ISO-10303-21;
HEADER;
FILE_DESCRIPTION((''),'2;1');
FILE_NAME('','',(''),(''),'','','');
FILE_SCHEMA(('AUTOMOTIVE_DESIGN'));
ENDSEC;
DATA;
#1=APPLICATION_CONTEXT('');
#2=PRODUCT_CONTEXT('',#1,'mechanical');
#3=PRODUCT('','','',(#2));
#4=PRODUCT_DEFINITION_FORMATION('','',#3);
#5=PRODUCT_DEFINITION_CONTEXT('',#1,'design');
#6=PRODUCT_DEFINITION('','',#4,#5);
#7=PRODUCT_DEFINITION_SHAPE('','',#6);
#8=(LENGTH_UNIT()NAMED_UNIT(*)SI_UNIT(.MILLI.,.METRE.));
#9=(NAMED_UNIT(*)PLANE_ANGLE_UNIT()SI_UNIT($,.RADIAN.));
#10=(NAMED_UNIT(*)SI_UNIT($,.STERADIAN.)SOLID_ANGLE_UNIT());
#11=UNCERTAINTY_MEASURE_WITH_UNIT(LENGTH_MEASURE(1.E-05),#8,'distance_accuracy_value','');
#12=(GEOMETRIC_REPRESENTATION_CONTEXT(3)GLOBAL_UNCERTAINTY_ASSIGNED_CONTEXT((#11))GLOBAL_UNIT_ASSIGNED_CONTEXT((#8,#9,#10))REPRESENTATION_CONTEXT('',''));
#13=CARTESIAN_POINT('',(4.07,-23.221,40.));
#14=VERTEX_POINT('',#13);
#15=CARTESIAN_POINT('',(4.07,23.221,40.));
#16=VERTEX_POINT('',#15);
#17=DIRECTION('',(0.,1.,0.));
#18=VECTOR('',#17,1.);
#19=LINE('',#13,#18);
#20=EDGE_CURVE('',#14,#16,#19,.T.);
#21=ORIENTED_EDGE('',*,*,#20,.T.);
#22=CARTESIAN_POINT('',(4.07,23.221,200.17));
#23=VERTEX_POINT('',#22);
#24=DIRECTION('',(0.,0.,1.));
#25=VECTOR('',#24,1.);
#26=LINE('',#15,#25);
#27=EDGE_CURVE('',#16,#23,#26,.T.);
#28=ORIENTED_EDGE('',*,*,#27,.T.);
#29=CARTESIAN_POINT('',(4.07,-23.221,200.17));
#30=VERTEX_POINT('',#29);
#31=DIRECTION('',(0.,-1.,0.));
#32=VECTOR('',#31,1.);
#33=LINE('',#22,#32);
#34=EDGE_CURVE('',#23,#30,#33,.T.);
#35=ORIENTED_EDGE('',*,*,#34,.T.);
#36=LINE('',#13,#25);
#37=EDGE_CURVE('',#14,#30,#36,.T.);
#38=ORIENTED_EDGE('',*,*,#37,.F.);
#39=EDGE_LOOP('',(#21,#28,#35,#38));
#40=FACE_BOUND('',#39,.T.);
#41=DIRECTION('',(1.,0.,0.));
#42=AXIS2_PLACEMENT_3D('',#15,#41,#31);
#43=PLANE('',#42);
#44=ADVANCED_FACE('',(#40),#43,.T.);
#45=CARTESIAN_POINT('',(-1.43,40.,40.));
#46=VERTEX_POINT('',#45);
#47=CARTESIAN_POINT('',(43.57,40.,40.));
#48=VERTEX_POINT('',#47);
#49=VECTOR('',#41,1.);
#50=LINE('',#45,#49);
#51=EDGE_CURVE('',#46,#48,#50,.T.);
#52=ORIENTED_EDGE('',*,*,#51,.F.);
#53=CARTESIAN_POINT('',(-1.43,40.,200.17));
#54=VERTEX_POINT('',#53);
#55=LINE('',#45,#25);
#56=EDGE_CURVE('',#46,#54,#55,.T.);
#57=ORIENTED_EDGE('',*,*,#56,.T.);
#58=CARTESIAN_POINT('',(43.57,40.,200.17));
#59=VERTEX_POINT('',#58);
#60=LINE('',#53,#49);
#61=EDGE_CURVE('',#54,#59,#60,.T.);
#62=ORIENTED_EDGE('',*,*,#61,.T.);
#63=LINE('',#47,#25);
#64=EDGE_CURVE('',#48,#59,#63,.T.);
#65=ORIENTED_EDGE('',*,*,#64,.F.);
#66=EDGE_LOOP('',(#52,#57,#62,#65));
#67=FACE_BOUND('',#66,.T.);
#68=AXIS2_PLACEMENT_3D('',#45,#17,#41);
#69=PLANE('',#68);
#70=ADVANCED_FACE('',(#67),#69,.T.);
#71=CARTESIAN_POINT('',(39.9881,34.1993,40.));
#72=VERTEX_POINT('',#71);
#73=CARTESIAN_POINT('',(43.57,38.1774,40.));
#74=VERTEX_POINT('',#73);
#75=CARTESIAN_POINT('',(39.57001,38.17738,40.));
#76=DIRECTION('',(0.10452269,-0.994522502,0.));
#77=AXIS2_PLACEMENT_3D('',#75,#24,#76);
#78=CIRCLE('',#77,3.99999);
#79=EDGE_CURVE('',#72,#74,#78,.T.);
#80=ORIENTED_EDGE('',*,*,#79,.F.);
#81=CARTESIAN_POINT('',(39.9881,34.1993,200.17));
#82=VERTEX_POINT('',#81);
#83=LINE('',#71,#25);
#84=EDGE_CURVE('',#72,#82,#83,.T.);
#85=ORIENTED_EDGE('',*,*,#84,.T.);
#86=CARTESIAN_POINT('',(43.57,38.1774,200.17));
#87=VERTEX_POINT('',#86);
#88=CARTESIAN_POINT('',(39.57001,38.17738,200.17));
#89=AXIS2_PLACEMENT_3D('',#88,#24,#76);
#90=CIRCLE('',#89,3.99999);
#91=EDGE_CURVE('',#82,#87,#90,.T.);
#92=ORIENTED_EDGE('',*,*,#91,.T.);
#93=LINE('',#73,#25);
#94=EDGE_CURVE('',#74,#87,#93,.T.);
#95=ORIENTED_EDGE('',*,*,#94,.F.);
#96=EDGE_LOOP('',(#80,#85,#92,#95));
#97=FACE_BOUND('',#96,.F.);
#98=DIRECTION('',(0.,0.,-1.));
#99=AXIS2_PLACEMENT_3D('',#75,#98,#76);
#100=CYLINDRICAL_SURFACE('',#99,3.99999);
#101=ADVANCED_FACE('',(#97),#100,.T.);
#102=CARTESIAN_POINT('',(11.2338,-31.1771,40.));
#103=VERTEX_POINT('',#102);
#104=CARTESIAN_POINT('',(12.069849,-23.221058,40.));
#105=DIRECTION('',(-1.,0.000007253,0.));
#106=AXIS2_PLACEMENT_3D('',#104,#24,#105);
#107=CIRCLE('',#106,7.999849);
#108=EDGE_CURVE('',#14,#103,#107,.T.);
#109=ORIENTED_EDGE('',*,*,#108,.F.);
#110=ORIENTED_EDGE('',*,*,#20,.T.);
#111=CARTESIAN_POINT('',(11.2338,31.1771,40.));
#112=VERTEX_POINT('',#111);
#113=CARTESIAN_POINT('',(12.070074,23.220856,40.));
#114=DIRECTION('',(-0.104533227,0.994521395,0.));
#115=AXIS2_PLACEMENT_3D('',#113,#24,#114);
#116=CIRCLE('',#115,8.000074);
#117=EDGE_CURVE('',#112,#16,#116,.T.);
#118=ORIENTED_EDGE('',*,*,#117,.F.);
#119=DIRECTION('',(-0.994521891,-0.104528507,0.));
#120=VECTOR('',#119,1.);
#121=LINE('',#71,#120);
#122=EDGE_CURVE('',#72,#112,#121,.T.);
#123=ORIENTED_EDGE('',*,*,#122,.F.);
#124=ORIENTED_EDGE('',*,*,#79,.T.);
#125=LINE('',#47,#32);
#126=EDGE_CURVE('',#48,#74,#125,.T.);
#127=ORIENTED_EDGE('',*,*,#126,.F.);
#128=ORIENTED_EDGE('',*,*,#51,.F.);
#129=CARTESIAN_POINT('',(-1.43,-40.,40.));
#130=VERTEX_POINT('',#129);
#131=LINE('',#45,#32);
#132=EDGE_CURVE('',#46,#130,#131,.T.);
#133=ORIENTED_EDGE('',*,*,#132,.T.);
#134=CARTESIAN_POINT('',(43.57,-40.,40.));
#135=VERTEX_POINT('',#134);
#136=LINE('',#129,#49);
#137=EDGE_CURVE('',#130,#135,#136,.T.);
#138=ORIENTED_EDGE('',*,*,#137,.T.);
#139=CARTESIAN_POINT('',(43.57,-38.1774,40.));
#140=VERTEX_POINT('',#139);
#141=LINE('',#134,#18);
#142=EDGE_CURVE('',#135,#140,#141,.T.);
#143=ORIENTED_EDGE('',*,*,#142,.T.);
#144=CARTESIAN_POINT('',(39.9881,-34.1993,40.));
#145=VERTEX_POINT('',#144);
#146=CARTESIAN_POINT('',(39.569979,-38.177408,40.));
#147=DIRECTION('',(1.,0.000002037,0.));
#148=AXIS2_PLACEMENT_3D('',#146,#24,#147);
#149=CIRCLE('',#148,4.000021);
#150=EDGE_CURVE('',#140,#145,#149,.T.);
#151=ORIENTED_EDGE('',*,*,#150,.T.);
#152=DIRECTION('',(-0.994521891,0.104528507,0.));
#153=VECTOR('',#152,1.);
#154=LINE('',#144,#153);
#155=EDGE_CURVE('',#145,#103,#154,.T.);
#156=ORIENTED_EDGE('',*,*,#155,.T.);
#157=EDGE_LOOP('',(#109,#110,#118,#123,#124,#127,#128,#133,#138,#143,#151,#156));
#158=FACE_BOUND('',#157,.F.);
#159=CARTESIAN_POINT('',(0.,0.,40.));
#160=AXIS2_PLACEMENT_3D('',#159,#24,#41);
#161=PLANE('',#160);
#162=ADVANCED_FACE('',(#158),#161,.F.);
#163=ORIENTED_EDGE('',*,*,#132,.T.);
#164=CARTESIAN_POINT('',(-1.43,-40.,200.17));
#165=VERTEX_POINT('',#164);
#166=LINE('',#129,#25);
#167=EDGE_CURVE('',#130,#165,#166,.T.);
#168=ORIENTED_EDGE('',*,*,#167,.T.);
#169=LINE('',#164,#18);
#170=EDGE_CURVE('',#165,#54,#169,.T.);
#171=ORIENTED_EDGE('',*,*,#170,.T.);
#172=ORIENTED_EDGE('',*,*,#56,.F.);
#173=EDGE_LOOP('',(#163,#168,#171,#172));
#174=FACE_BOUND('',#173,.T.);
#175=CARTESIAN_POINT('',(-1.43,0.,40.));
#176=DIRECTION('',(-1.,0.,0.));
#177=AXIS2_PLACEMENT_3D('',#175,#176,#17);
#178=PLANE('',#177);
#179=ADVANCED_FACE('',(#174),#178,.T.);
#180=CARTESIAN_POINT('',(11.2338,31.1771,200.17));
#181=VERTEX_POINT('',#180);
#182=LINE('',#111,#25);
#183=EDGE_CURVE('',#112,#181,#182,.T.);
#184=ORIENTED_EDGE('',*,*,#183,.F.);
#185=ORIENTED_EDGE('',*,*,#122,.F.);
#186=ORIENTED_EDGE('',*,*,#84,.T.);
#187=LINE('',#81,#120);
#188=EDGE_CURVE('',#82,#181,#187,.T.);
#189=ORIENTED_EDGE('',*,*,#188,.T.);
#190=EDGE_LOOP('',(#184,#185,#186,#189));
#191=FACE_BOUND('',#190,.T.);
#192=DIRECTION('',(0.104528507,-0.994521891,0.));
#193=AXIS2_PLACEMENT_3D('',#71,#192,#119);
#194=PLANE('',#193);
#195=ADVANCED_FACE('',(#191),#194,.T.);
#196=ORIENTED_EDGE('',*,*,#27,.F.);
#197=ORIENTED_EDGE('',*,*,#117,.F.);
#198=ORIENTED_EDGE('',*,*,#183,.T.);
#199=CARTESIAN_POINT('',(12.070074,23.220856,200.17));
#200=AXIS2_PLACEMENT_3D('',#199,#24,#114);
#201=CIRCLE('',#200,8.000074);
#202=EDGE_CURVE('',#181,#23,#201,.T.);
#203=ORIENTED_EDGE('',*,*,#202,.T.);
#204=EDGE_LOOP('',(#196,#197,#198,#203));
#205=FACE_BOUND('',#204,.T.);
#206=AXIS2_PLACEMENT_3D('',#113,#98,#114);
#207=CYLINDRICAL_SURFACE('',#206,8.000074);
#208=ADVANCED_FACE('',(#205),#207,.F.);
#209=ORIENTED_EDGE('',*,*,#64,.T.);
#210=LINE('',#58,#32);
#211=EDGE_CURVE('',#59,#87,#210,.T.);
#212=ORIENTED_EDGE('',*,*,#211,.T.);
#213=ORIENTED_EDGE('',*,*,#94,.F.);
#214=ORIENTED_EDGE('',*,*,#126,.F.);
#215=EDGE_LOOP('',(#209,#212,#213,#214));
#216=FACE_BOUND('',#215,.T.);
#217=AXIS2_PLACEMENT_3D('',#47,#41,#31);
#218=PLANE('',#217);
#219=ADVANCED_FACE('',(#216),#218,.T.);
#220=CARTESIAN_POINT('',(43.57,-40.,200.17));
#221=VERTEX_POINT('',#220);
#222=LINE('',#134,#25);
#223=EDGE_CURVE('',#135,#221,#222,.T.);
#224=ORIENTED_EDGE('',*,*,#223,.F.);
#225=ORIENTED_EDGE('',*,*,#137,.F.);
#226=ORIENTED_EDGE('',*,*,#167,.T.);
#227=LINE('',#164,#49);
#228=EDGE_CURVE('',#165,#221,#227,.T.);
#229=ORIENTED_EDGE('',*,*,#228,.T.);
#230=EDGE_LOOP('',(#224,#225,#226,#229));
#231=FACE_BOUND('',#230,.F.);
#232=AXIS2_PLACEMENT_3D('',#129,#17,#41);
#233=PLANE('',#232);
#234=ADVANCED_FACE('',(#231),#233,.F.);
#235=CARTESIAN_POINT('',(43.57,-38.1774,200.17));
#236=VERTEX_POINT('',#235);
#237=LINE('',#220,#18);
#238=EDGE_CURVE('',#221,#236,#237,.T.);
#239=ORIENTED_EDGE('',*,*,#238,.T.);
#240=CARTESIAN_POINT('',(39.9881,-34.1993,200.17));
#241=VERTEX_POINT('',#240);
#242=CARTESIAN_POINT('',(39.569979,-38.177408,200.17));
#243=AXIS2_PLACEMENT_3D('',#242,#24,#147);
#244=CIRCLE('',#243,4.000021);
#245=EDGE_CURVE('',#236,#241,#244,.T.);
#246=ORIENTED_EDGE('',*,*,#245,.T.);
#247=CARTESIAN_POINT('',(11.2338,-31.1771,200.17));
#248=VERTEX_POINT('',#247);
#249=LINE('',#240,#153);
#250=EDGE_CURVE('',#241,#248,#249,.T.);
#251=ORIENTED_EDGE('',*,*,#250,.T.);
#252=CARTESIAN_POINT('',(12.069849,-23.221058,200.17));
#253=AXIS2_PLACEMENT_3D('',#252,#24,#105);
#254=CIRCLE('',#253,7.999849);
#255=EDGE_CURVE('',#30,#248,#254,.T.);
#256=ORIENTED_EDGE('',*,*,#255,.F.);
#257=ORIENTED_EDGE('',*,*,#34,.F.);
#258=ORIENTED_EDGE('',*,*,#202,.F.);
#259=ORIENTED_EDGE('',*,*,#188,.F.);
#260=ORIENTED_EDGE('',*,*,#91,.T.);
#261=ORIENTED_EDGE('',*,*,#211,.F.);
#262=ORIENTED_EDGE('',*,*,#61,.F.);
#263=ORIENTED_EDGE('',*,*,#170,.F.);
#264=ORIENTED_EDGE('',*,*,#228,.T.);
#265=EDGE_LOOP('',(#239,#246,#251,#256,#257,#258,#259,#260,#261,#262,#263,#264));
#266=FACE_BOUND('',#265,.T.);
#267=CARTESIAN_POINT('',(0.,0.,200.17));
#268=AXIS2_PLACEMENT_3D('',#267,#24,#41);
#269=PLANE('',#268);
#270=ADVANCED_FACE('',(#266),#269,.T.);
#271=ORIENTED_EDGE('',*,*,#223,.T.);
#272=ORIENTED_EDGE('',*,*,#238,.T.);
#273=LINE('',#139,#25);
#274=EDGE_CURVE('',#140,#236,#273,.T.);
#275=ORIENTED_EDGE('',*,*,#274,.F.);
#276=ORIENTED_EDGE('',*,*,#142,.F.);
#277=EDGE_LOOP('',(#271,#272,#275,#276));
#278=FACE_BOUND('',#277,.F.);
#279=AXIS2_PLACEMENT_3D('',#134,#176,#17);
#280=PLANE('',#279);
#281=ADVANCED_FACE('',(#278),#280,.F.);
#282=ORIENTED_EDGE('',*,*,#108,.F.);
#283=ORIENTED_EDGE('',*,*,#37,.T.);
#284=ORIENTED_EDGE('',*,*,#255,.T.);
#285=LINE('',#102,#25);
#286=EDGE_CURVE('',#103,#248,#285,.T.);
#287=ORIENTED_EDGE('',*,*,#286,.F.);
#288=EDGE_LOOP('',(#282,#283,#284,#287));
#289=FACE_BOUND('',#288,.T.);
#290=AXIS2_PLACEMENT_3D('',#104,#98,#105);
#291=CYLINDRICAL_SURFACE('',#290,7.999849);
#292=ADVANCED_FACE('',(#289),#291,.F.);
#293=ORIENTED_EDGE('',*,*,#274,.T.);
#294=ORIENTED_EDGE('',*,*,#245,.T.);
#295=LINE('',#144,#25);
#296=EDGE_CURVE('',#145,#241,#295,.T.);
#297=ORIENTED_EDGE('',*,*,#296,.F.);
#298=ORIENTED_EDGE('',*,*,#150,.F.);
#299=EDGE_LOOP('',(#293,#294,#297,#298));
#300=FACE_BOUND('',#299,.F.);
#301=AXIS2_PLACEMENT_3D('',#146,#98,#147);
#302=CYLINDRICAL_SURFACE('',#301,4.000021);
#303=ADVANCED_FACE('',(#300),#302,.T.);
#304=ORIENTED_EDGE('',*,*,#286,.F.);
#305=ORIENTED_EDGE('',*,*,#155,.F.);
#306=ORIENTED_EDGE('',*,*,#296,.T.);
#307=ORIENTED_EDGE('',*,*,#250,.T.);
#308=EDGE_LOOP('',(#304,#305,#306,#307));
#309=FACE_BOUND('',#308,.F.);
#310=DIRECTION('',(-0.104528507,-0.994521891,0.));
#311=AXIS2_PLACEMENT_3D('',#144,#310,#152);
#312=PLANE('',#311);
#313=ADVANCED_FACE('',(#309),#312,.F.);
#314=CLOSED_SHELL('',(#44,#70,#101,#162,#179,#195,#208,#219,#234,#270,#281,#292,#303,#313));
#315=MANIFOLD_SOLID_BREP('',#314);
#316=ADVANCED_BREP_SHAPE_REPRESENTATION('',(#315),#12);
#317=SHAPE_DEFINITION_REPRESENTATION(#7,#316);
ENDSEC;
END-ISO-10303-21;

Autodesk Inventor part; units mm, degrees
ref_plane "Начальная плоскость" through (0, 0, 40) normal (0, 0, 1) x (1, 0, 0)
ref_plane "Конечная плоскость" through (0, 0, 200.17) normal (0, 0, 1) x (1, 0, 0)
sketch "Эскиз" plane through (0, 0, 0) normal (0, 0, 1) x (1, 0, 0)
  line L0 (-1.43, 0) -> (-1.43, 40)
  line L1 (-1.43, 40) -> (43.57, 40)
  line L2 (43.57, 40) -> (43.57, 38.1774)
  line L3 (39.9881, 34.1993) -> (11.2338, 31.1771)
  line L4 (4.07, 23.221) -> (4.07, 0)
  line L5 (4.07, 0) -> (-1.43, 0) construction
  line L6 (23.82, 40) -> (23.82, 32.5) construction
  line L7 (43.57, 34.5758) -> (43.57, 32.5) construction
  line L8 (43.57, 32.5) -> (23.82, 32.5) construction
  line L9 (0, 15) -> (0, -27) construction
  line L10 (-5.539, 0) -> (16.0067, 0) construction
  line L11 (-1.43, 0) -> (-1.43, -40)
  line L12 (-1.43, -40) -> (43.57, -40)
  line L13 (43.57, -40) -> (43.57, -38.1774)
  line L14 (39.9881, -34.1993) -> (11.2338, -31.1771)
  line L15 (4.07, -23.221) -> (4.07, 0)
  arc A0 (11.2338, 31.1771) -> (4.07, 23.221) centre (12.07, 23.221) ccw
  arc A1 (4.07, -23.221) -> (11.2338, -31.1771) centre (12.07, -23.221) ccw
  arc A2 (39.9881, 34.1993) -> (43.57, 38.1774) centre (39.57, 38.1774) ccw
  arc A3 (43.57, -38.1774) -> (39.9881, -34.1993) centre (39.57, -38.1774) ccw
  line L16 (0, 56) -> (0, -56) construction
  line L17 (-15.5135, 0) -> (54.308, 0) construction
  point P0 (4.07, 30.4242)
  point P1 (43.57, -34.5758)
  point P2 (4.07, -30.4242)
  point P3 (23.82, -40)
  point P4 (23.82, -32.5)
  dimension "d0" = 5.5
  dimension "d1" = 40
  dimension "d2" = 45
  dimension "d3" = 7.5
  dimension "d4" = 19.75
  dimension "d5" = 2.0758
  dimension "d23" = 8
  dimension "d24" = 4
  dimension "d25" = 1.43
extrude "Тело" add sketch "Эскиз" along normal up to surface (160.17 mm away) from surface at 40
sketch "Sketch3" plane through (0, 0, 0) normal (0, 0, 1) x (1, 0, 0)
  line L0 (0, 0) -> (10, 0)
ref_plane "Work Plane3" through (0, 0, 0) normal (0, -1, 0) x (1, 0, 0)
sketch "Sketch4" plane through (0, 0, 0) normal (0, -1, 0) x (1, 0, 0)
  line L0 (-2, 40) -> (12, 40)
  line L1 (-2, 200.17) -> (12, 200.17)
  dimension "d29" = 160.17
ref_plane "РабПлоскость4" through (0, -158, 240.17) normal (0, 1, 0) x (1, 0, 0)
ref_plane "РабПлоскость5" through (0, 557.0652, 240.17) normal (0, 1, 0) x (1, 0, 0)
ref_plane "РабПлоскость6" through (0, 199.5326, 240.17) normal (0, 1, 0) x (1, 0, 0)
sketch "Эскиз5" plane through (0, 199.5326, 240.17) normal (0, 1, 0) x (1, 0, 0)
  line L0 (-1.43, 0) -> (-1.43, 40)
  line L1 (-1.43, 40) -> (43.57, 40)
  line L2 (43.57, 40) -> (43.57, 38.1774)
  arc A0 (39.9881, 34.1993) -> (43.57, 38.1774) centre (39.57, 38.1774) ccw
  line L3 (39.9881, 34.1993) -> (11.2338, 31.1771)
  arc A1 (11.2338, 31.1771) -> (4.07, 23.221) centre (12.07, 23.221) ccw
  line L4 (4.07, 23.221) -> (4.07, 0)
  line L5 (4.07, -23.221) -> (4.07, 0)
  arc A2 (4.07, -23.221) -> (11.2338, -31.1771) centre (12.07, -23.221) ccw
  line L6 (39.9881, -34.1993) -> (11.2338, -31.1771)
  arc A3 (43.57, -38.1774) -> (39.9881, -34.1993) centre (39.57, -38.1774) ccw
  line L7 (43.57, -40) -> (43.57, -38.1774)
  line L8 (-1.43, -40) -> (43.57, -40)
  line L9 (-1.43, 0) -> (-1.43, -40)
extrude "Выдавливание2" add sketch "Эскиз5" along normal up to surface (715.0652 mm away) from surface at -357.5326 separate body
feature "Комбинировать1" [suppressed]
ref_plane "РабПлоскость7" through (0, 562.5, 0) normal (0, -1, 0) x (1, 0, 0)
ref_plane "РабПлоскость8" through (0, -158, 0) normal (0, -1, 0) x (1, 0, 0)
ref_plane "РабПлоскость9" through (0, 202.25, 0) normal (0, -1, 0) x (1, 0, 0)
sketch "Эскиз6" plane through (0, 202.25, 0) normal (0, -1, 0) x (1, 0, 0)
  line L0 (-1.43, 0) -> (-1.43, 40)
  line L1 (-1.43, 40) -> (43.57, 40)
  line L2 (43.57, 40) -> (43.57, 38.1774)
  arc A0 (39.9881, 34.1993) -> (43.57, 38.1774) centre (39.57, 38.1774) ccw
  line L3 (39.9881, 34.1993) -> (11.2338, 31.1771)
  arc A1 (11.2338, 31.1771) -> (4.07, 23.221) centre (12.07, 23.221) ccw
  line L4 (4.07, 23.221) -> (4.07, 0)
  line L5 (4.07, -23.221) -> (4.07, 0)
  arc A2 (4.07, -23.221) -> (11.2338, -31.1771) centre (12.07, -23.221) ccw
  line L6 (39.9881, -34.1993) -> (11.2338, -31.1771)
  arc A3 (43.57, -38.1774) -> (39.9881, -34.1993) centre (39.57, -38.1774) ccw
  line L7 (43.57, -40) -> (43.57, -38.1774)
  line L8 (-1.43, -40) -> (43.57, -40)
  line L9 (-1.43, 0) -> (-1.43, -40)
extrude "Выдавливание3" add sketch "Эскиз6" along normal up to surface (720.5 mm away) from surface at -360.25 separate body
feature "Комбинировать2" [suppressed]
ref_plane "РабПлоскость10" through (-1.43, -158, 200.17) normal (0, 0, 1) x (1, 0, 0)
split "Разделение1" plane through (-1.43, -158, 200.17) removes the side toward (0, 0, 1)
ref_plane "РабПлоскость11" through (-1.43, 562.5, 40) normal (0, 0, -1) x (-1, 0, 0)
split "Разделение2" plane through (-1.43, 562.5, 40) removes the side toward (0, 0, -1)
equation "\"d0\" = G_T"
equation "\"d1\" = 0.5 * G_H"
equation "\"d2\" = G_W"
equation "\"d3\" = G_T1"
equation "\"d4\" = G_C"
equation "\"d23\" = G_IR"
equation "\"d24\" = G_ER"
equation "\"d25\" = ex"
equation "\"d6\" = G_L"
equation "\"G_W\" = 45"
equation "\"G_T\" = 5.5"
equation "\"G_T1\" = 7.5"
equation "\"G_NG\" = 0.105104"
equation "\"G_ER\" = 4"
equation "\"G_IR\" = 8"
equation "\"G_C\" = 19.75"
equation "\"G_L\" = d29"
equation "\"ex\" = 1.43"
equation "\"d27\" = G_OFFSET_END + B_L"
equation "\"B_L\" = 240.17"
equation "\"G_H\" = 80"
equation "\"G_OFFSET_END\" = -40"
properties part number "ISO 657/11 - CH 80 x 8 - 160,17" material "Сталь, мягкая"
